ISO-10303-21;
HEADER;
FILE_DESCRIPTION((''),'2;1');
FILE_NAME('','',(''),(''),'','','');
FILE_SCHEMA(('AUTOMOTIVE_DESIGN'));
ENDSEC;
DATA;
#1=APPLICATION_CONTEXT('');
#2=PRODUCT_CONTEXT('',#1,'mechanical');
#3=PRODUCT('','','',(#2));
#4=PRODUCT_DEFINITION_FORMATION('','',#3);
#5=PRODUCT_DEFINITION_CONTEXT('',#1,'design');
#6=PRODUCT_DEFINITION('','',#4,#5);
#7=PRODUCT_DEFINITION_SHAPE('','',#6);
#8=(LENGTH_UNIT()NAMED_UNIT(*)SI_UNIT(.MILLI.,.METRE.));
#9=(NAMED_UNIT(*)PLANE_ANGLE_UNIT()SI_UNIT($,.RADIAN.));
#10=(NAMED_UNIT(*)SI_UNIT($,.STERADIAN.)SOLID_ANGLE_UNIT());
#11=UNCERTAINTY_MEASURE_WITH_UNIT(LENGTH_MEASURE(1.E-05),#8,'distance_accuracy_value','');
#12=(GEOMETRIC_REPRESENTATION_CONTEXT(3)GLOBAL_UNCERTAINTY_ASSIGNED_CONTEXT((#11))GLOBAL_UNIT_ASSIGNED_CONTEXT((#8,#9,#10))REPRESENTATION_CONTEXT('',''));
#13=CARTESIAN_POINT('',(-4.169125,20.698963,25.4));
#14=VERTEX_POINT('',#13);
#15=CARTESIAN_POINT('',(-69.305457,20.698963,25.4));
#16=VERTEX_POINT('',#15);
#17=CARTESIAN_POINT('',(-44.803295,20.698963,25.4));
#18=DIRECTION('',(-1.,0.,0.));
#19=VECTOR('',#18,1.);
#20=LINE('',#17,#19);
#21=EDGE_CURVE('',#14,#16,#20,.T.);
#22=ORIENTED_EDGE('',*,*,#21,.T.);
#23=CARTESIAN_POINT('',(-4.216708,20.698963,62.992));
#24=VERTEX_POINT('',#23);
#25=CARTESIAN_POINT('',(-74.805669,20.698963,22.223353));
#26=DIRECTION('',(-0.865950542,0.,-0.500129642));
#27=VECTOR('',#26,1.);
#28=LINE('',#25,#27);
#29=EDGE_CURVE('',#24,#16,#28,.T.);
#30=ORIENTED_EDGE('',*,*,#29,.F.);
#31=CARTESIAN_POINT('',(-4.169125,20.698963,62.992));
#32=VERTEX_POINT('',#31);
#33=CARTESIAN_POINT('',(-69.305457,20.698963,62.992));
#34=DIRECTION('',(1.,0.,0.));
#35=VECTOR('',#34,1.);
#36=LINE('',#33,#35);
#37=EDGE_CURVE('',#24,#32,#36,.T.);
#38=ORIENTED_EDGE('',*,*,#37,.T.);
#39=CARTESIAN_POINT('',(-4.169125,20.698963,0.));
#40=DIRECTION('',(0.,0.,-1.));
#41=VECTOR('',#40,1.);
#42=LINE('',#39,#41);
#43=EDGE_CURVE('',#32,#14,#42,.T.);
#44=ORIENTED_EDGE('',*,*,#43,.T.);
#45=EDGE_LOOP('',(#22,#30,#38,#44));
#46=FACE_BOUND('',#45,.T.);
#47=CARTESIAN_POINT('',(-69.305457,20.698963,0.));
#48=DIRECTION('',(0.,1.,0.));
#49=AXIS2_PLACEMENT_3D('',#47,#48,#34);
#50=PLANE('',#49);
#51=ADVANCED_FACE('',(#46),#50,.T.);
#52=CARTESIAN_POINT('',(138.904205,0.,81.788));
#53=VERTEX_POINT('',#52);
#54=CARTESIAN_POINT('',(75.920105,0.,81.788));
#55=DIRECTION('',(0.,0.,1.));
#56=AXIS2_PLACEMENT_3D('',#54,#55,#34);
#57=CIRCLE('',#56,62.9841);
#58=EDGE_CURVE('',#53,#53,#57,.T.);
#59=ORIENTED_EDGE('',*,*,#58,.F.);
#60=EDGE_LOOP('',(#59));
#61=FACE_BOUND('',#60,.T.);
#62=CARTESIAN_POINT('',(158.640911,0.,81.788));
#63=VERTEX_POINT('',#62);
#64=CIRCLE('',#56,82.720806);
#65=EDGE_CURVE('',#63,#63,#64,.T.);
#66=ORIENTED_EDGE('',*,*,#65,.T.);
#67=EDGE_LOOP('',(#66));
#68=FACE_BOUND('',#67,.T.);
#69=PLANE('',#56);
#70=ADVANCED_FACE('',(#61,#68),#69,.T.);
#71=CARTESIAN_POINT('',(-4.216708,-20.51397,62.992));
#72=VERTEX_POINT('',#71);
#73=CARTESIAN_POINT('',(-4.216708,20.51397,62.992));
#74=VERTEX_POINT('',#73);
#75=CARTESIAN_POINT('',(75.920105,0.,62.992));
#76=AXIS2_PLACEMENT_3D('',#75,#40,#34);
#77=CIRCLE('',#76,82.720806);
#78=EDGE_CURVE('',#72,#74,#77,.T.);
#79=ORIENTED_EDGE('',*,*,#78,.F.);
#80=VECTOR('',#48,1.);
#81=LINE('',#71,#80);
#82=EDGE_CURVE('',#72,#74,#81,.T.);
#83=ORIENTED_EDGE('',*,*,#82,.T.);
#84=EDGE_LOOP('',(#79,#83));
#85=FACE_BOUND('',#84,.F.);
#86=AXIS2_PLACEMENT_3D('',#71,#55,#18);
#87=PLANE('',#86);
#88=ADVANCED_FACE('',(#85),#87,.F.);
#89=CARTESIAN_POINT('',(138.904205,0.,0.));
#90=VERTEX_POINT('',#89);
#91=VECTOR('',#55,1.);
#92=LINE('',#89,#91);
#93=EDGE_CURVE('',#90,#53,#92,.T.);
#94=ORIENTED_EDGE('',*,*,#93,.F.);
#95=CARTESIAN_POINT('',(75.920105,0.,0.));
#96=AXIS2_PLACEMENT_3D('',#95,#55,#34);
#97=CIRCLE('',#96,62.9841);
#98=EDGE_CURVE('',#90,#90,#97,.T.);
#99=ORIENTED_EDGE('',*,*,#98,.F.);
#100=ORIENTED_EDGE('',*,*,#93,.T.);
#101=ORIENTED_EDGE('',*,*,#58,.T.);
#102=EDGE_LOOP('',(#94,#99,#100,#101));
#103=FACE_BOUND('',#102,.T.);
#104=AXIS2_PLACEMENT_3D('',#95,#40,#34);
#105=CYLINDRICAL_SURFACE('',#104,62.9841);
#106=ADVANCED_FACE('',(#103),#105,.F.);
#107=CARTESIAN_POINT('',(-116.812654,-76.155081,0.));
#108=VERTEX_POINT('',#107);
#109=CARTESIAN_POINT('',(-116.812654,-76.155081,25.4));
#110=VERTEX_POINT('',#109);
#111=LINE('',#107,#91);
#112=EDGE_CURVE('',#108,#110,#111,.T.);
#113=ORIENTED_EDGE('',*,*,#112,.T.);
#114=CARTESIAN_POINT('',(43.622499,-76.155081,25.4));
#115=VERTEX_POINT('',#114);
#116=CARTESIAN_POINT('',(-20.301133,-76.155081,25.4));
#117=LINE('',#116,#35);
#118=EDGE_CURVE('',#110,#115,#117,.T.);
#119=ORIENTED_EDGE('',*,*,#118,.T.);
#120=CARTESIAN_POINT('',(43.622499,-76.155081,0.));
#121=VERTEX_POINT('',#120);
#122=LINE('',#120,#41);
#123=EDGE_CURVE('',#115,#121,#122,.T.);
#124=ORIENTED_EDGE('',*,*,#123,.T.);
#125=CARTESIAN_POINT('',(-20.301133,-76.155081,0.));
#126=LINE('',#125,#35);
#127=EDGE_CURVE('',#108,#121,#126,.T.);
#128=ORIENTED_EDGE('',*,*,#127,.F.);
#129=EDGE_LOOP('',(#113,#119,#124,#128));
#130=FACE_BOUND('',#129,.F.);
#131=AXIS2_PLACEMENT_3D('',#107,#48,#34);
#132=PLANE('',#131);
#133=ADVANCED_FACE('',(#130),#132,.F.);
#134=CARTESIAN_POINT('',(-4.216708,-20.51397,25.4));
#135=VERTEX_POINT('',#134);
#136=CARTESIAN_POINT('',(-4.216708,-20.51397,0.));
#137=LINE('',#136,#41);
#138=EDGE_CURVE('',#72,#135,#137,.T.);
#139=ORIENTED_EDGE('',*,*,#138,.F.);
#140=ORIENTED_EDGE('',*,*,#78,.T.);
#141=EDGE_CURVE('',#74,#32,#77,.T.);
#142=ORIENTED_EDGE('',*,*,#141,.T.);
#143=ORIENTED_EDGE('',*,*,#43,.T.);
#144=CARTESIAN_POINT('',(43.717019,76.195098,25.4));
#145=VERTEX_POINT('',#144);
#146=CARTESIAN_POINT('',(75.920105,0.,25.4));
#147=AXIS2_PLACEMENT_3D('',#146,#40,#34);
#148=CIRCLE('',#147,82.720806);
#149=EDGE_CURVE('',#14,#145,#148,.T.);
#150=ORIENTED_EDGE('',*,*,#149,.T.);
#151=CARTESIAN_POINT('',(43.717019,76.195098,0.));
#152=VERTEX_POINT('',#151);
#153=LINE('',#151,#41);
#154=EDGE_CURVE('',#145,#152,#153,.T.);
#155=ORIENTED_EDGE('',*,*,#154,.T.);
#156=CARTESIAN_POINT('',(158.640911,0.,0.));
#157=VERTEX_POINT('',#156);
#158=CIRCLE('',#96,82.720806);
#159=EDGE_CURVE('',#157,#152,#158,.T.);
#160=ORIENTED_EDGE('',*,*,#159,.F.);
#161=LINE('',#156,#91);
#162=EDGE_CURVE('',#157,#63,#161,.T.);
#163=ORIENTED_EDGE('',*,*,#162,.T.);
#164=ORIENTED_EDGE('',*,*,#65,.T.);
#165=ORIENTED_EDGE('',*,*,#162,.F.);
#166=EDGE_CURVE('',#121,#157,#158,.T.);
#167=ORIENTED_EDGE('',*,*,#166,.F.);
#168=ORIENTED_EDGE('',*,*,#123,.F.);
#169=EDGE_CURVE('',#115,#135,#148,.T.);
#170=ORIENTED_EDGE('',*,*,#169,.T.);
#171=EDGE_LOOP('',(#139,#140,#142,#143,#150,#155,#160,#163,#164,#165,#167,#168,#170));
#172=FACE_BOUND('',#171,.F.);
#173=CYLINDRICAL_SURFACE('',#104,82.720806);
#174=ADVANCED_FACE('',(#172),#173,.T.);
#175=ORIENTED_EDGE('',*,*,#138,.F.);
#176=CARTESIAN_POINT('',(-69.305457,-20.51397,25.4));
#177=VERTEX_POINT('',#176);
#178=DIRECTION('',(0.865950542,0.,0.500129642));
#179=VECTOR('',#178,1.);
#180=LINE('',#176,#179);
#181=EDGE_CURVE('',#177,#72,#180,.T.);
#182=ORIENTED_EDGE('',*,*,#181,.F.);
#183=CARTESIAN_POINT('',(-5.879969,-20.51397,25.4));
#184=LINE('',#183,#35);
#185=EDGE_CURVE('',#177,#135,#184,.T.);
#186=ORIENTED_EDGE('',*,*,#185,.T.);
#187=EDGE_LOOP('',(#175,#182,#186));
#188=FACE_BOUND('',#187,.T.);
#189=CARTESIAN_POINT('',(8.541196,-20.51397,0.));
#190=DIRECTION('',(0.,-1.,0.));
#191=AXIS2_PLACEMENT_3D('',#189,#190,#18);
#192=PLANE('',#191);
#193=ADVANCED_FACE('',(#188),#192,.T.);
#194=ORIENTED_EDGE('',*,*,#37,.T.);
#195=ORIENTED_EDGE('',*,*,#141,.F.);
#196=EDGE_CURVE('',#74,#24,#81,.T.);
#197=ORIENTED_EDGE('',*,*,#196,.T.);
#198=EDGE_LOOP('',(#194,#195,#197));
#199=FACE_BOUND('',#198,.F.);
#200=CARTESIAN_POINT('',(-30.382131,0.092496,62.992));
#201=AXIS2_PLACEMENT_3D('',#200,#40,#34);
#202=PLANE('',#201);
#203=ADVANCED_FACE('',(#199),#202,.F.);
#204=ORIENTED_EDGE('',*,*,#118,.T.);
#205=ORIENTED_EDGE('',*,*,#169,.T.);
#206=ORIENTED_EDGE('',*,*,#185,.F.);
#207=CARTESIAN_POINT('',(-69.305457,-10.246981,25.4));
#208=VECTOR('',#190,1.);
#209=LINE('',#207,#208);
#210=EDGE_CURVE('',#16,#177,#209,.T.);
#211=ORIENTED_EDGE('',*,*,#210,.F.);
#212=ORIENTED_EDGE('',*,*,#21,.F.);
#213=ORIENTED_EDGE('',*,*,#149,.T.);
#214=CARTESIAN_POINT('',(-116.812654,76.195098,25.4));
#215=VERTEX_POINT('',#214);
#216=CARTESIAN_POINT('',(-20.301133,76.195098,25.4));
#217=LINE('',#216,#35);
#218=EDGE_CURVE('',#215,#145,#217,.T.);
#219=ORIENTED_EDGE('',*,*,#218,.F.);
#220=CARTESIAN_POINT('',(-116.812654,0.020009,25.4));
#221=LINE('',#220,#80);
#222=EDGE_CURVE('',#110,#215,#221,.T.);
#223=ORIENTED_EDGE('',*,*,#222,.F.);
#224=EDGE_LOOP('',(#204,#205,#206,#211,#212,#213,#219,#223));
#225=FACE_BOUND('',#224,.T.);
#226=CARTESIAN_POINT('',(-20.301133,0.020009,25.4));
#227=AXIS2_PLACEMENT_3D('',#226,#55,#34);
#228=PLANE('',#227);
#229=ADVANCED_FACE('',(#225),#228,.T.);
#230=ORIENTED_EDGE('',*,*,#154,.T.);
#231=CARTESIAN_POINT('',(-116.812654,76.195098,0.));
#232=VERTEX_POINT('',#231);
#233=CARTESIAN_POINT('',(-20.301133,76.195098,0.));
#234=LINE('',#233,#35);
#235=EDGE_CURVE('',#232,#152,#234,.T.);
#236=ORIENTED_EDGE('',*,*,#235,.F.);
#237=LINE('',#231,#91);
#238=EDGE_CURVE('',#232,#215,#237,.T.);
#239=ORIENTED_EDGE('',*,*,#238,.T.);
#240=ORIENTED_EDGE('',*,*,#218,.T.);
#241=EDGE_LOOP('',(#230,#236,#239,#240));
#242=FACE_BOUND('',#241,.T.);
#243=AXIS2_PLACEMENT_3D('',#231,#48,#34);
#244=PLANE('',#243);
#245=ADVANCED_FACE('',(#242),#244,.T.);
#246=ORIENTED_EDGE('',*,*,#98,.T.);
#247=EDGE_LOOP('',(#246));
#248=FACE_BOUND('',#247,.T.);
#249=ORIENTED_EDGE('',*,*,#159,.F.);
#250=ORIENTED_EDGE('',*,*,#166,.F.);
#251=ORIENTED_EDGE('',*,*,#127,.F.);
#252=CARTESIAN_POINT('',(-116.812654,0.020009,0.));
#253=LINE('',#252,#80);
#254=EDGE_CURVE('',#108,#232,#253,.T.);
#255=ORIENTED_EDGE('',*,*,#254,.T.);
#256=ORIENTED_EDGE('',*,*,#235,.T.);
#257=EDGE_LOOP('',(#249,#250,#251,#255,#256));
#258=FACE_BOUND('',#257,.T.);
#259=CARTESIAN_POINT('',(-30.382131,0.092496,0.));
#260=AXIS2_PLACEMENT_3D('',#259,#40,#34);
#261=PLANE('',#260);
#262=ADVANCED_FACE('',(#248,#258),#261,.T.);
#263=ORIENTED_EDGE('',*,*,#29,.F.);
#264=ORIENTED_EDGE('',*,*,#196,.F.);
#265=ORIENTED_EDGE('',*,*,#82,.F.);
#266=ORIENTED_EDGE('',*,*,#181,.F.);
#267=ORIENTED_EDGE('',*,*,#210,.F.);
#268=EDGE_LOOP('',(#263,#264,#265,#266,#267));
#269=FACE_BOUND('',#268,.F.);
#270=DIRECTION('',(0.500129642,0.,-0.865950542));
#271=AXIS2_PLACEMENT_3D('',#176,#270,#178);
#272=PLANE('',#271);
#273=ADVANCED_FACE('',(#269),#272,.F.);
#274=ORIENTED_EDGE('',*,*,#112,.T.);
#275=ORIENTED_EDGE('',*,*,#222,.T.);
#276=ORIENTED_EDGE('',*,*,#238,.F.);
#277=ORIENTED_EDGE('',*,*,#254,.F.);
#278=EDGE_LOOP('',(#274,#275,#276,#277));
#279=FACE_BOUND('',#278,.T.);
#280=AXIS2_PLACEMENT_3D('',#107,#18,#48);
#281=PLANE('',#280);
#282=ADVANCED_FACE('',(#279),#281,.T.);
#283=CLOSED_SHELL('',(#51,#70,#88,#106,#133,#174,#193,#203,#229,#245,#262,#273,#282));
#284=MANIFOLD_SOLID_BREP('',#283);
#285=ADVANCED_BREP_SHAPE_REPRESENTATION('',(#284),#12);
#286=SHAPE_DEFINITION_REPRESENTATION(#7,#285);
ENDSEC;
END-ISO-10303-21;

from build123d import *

# Parameters (mm, degrees)
F0_W     = 193.0230408907
F0_H     = 152.3501798511
F2_DEPTH = 25.4
F3_DEPTH = 82.042
F4_R     = 82.7208063485
F4_R_2   = 62.9840996432
F5_DEPTH = 81.788
F7_DEPTH = 62.992
F9_DEPTH = 46.228


with BuildPart() as f2:
    # F0 (on Top) → F2 (new body)
    with BuildSketch(Plane.XY):
        with Locations((-20.3011333942, 0.0200085342)):
            Rectangle(F0_W, F0_H)
    extrude(amount=F2_DEPTH)

    # F1 (on face) → F3 (cut)
    with BuildSketch(Plane.XY):
        with BuildLine():
            Line((76.2103870511, -63.3074275445), (76.2103870511, 63.3074275445))
            ThreePointArc((76.2103870511, 63.3074275445), (12.8221735358, 0), (76.2103870511, -63.3074275445))
        make_face()
    extrude(amount=F3_DEPTH, mode=Mode.SUBTRACT)

    # F4 (on Top) → F5 (join)
    with BuildSketch(Plane.XY):
        with Locations((75.9201049805, 0)):
            Circle(F4_R)
        with Locations((75.9201049805, 0)):
            Circle(F4_R_2, mode=Mode.SUBTRACT)
    extrude(amount=F5_DEPTH)

    # F6 (on face) → F7 (join)
    with BuildSketch(Plane(origin=(0, 0, 0), x_dir=(1, 0, 0), z_dir=(0, 0, -1))):
        Polygon((8.5411956534, -20.6989627331), (8.5411956534, 0), (8.5411956534, 20.5139704049), (-69.3054571748, 20.5139704049), (-69.3054571748, -20.6989627331), align=None)
    extrude(amount=-F7_DEPTH)

    # F8 (on face) → F9 (cut)
    with BuildSketch(Plane.XZ.offset(20.5139704049)):
        Polygon((-69.3054571748, 25.4), (-4.2167081654, 62.992), (-69.3054571748, 62.992), align=None)
    extrude(amount=-F9_DEPTH, mode=Mode.SUBTRACT)


solid = f2.part
